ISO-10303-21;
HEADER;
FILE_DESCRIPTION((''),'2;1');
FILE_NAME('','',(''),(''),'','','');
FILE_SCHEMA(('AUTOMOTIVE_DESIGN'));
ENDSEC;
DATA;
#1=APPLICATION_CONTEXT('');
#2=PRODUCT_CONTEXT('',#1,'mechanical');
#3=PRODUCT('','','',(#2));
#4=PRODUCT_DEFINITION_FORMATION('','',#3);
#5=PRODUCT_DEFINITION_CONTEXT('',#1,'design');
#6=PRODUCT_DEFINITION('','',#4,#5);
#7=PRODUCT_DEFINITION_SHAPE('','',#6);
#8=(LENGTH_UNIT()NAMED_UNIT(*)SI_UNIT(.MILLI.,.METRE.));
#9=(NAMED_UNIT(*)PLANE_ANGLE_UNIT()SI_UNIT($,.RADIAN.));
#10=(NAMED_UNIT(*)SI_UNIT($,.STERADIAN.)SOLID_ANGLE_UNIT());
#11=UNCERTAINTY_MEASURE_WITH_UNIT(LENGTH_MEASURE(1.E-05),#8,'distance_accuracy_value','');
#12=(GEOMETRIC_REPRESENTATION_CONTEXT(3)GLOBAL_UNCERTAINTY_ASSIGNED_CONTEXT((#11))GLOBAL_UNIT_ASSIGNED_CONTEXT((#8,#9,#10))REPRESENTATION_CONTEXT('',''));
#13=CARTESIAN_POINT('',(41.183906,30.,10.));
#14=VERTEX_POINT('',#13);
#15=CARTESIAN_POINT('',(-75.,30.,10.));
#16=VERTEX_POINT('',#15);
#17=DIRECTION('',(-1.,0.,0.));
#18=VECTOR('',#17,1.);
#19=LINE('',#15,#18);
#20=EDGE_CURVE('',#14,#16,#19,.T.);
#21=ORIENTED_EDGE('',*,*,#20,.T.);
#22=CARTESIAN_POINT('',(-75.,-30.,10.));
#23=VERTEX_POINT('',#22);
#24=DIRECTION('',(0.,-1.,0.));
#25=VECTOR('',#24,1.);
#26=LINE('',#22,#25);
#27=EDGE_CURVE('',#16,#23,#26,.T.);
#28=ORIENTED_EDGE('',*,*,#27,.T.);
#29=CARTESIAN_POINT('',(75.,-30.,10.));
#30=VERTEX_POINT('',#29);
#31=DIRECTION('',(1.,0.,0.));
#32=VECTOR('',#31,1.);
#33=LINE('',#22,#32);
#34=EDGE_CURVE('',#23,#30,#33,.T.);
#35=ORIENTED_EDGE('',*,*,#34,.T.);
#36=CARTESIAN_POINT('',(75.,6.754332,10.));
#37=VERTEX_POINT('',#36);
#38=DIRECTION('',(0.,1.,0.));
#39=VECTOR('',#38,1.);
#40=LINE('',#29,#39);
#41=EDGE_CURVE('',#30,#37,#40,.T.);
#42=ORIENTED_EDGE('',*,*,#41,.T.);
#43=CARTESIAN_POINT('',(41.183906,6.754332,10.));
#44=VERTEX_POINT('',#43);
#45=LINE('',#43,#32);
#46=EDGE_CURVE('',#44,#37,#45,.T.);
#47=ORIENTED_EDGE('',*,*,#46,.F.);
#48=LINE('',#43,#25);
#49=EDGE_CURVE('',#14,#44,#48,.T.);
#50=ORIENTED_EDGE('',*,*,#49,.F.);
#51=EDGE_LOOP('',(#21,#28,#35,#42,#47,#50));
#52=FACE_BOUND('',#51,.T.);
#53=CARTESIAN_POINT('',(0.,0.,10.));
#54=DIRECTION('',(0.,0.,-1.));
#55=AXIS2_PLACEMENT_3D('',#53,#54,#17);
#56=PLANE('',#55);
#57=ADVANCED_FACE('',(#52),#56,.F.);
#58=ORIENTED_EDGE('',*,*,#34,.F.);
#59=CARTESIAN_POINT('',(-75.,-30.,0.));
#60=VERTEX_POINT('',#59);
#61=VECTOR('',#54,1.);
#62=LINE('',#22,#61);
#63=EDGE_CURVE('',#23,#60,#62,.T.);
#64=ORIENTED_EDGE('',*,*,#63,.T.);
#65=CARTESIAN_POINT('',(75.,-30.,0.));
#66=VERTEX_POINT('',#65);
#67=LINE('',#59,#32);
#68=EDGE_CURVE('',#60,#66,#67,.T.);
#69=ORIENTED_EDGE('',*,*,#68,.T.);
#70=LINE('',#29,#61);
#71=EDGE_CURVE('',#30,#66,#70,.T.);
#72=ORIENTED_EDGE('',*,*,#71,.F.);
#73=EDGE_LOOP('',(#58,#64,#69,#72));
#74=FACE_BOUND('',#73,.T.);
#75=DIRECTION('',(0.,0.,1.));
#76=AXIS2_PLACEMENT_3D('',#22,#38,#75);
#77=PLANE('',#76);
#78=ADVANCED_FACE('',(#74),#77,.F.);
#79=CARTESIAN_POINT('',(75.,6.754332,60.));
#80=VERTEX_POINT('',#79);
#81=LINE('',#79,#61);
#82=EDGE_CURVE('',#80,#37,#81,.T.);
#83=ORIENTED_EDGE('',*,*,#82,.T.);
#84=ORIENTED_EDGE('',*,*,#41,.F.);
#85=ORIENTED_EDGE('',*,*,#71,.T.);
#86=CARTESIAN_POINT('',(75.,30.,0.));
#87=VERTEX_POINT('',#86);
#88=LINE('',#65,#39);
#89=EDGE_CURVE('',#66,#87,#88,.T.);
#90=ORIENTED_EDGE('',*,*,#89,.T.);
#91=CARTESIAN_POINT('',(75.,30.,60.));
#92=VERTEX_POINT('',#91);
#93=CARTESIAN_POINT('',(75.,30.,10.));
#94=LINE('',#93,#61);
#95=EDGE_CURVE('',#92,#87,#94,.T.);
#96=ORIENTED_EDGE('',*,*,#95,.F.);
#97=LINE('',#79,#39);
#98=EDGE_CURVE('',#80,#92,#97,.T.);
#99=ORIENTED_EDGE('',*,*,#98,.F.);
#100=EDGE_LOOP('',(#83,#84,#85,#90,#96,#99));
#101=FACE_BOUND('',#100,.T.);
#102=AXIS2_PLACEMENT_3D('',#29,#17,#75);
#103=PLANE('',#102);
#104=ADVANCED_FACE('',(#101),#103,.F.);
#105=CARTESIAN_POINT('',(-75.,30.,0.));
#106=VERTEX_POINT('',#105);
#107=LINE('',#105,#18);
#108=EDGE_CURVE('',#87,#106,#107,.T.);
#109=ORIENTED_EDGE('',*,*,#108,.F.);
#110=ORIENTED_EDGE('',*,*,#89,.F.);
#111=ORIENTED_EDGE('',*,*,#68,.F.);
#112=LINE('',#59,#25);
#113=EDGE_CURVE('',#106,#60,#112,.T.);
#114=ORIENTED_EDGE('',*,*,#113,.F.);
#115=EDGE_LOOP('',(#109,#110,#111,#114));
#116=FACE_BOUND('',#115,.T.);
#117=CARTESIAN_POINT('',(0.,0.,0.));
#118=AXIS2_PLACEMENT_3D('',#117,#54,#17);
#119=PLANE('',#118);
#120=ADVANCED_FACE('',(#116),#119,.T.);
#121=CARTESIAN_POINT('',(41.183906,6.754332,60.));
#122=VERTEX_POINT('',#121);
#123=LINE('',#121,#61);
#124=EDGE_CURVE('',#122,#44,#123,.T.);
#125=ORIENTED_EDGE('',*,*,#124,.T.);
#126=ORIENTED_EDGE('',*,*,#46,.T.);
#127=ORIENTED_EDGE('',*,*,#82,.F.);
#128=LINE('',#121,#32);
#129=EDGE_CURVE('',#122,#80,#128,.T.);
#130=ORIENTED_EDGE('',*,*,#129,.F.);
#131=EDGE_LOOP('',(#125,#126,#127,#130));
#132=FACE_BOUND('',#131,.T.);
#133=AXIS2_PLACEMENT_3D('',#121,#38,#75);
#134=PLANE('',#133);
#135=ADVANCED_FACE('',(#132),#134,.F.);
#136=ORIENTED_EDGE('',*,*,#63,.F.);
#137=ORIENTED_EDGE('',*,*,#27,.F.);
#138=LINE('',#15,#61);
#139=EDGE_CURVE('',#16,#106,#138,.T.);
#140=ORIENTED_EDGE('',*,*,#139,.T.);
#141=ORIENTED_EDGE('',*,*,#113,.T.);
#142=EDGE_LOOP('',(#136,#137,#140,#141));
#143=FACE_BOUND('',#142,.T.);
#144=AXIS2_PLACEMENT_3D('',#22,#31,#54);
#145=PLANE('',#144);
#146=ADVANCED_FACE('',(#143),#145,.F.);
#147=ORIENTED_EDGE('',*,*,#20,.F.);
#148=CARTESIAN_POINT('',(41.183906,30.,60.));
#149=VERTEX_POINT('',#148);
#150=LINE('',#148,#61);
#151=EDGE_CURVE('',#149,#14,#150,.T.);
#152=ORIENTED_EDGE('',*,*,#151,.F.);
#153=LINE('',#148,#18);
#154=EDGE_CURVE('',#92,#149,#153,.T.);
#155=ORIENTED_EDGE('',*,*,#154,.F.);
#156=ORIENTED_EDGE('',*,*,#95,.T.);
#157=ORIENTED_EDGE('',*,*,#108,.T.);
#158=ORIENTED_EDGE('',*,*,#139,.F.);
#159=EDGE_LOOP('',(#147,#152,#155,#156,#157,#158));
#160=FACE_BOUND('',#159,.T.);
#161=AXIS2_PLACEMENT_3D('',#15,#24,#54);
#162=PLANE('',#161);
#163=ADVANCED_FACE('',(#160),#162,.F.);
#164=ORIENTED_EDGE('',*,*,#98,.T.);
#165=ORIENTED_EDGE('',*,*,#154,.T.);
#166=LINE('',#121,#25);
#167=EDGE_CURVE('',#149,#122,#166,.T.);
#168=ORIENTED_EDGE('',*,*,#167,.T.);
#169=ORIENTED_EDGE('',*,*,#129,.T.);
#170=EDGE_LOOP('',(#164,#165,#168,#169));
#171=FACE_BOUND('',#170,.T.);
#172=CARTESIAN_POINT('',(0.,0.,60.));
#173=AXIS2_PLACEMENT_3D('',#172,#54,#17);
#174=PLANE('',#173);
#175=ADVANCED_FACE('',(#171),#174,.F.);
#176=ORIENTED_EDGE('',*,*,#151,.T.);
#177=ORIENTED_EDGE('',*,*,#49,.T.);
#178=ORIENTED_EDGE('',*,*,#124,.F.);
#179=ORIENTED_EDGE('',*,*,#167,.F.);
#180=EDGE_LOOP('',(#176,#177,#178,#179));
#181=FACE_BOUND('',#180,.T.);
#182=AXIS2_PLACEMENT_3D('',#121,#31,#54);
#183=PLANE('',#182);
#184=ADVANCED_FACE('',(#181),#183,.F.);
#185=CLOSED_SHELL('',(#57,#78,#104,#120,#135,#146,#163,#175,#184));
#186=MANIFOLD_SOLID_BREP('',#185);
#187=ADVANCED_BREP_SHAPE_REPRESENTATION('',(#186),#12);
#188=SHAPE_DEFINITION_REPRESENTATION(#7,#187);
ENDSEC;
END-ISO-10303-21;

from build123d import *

# Parameters (mm, degrees)
SKETCH_3_W      = 150
SKETCH_3_H      = 60
EXTRUDE_3_DEPTH = 10
SKETCH_4_W      = 33.816093831
SKETCH_4_H      = 23.245668144
EXTRUDE_4_DEPTH = 50


with BuildPart() as part:
    # 草图3 → 凸台-拉伸3 (new body)
    with BuildSketch(Plane.XY):
        Rectangle(SKETCH_3_W, SKETCH_3_H)
    extrude(amount=EXTRUDE_3_DEPTH)

    # 草图4 → 凸台-拉伸4 (add)
    with BuildSketch(Plane.XY.offset(10)):
        with Locations((58.091953085, 18.377165928)):
            Rectangle(SKETCH_4_W, SKETCH_4_H)
    extrude(amount=EXTRUDE_4_DEPTH)


solid = part.part
